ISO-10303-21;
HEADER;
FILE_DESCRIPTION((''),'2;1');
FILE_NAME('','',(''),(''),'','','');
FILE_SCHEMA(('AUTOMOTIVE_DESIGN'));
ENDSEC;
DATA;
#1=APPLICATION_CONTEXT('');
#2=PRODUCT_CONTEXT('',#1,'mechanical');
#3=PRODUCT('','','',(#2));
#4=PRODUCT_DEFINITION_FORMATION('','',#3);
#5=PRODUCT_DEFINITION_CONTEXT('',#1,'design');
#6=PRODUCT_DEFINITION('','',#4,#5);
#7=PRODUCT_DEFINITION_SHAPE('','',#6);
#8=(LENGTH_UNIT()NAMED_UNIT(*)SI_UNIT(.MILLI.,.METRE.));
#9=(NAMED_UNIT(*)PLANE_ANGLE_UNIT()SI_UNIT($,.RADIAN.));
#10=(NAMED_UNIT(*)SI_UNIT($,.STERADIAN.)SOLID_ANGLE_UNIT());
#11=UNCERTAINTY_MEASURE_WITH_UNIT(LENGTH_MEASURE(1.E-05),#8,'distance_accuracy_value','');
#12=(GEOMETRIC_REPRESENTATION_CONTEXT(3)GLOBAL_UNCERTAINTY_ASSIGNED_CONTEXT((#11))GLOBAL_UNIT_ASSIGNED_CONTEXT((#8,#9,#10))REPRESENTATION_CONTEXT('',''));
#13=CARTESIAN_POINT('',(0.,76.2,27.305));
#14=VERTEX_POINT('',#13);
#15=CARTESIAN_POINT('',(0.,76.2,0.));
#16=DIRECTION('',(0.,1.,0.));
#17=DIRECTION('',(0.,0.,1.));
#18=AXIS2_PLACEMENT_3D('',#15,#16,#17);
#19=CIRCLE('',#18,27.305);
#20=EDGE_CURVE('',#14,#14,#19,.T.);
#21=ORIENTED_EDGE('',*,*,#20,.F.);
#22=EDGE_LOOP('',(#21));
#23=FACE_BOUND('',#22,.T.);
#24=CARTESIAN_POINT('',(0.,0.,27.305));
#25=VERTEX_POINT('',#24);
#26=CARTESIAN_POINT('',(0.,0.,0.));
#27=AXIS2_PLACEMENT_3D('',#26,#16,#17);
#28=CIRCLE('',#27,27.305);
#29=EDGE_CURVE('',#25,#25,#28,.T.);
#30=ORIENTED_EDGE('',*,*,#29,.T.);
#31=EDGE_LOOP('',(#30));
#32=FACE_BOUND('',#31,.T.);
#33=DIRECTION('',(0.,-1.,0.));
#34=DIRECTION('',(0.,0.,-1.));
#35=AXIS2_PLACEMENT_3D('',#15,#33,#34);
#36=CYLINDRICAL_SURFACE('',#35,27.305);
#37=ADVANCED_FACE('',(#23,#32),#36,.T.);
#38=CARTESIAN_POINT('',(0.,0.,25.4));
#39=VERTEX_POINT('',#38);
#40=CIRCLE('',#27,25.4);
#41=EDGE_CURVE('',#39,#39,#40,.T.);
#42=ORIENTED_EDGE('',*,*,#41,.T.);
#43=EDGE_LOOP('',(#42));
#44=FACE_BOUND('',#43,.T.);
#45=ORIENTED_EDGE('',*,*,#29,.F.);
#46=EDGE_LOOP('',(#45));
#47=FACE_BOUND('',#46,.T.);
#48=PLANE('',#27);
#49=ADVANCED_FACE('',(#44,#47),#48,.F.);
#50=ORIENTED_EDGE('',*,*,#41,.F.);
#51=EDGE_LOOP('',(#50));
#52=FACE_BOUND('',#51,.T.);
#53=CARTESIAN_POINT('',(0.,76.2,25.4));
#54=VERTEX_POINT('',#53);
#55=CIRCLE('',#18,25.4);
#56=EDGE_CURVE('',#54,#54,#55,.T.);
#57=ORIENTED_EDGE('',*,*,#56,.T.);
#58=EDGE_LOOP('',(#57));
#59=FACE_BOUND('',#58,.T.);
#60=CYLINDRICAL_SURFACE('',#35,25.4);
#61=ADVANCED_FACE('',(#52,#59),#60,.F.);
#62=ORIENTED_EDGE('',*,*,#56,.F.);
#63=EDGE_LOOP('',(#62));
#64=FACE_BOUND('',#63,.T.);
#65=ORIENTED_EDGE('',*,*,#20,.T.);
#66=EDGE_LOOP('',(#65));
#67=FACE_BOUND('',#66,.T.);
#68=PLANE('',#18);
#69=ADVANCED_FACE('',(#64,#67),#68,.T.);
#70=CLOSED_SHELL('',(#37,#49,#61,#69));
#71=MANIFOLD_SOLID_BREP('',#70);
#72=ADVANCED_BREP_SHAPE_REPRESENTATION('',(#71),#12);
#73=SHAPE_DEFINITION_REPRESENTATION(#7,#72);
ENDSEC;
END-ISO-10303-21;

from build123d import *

# Parameters (mm, degrees)
SKETCH2_R           = 27.305
SKETCH2_R_2         = 25.4
BOSS_EXTRUDE1_DEPTH = 76.2


with BuildPart() as part:
    # Sketch2 → Boss-Extrude1 (new body)
    with BuildSketch(Plane(origin=(0, 0, 0), x_dir=(1, 0, 0), z_dir=(0, 1, 0))):
        Circle(SKETCH2_R)
        Circle(SKETCH2_R_2, mode=Mode.SUBTRACT)
    extrude(amount=BOSS_EXTRUDE1_DEPTH)


solid = part.part
